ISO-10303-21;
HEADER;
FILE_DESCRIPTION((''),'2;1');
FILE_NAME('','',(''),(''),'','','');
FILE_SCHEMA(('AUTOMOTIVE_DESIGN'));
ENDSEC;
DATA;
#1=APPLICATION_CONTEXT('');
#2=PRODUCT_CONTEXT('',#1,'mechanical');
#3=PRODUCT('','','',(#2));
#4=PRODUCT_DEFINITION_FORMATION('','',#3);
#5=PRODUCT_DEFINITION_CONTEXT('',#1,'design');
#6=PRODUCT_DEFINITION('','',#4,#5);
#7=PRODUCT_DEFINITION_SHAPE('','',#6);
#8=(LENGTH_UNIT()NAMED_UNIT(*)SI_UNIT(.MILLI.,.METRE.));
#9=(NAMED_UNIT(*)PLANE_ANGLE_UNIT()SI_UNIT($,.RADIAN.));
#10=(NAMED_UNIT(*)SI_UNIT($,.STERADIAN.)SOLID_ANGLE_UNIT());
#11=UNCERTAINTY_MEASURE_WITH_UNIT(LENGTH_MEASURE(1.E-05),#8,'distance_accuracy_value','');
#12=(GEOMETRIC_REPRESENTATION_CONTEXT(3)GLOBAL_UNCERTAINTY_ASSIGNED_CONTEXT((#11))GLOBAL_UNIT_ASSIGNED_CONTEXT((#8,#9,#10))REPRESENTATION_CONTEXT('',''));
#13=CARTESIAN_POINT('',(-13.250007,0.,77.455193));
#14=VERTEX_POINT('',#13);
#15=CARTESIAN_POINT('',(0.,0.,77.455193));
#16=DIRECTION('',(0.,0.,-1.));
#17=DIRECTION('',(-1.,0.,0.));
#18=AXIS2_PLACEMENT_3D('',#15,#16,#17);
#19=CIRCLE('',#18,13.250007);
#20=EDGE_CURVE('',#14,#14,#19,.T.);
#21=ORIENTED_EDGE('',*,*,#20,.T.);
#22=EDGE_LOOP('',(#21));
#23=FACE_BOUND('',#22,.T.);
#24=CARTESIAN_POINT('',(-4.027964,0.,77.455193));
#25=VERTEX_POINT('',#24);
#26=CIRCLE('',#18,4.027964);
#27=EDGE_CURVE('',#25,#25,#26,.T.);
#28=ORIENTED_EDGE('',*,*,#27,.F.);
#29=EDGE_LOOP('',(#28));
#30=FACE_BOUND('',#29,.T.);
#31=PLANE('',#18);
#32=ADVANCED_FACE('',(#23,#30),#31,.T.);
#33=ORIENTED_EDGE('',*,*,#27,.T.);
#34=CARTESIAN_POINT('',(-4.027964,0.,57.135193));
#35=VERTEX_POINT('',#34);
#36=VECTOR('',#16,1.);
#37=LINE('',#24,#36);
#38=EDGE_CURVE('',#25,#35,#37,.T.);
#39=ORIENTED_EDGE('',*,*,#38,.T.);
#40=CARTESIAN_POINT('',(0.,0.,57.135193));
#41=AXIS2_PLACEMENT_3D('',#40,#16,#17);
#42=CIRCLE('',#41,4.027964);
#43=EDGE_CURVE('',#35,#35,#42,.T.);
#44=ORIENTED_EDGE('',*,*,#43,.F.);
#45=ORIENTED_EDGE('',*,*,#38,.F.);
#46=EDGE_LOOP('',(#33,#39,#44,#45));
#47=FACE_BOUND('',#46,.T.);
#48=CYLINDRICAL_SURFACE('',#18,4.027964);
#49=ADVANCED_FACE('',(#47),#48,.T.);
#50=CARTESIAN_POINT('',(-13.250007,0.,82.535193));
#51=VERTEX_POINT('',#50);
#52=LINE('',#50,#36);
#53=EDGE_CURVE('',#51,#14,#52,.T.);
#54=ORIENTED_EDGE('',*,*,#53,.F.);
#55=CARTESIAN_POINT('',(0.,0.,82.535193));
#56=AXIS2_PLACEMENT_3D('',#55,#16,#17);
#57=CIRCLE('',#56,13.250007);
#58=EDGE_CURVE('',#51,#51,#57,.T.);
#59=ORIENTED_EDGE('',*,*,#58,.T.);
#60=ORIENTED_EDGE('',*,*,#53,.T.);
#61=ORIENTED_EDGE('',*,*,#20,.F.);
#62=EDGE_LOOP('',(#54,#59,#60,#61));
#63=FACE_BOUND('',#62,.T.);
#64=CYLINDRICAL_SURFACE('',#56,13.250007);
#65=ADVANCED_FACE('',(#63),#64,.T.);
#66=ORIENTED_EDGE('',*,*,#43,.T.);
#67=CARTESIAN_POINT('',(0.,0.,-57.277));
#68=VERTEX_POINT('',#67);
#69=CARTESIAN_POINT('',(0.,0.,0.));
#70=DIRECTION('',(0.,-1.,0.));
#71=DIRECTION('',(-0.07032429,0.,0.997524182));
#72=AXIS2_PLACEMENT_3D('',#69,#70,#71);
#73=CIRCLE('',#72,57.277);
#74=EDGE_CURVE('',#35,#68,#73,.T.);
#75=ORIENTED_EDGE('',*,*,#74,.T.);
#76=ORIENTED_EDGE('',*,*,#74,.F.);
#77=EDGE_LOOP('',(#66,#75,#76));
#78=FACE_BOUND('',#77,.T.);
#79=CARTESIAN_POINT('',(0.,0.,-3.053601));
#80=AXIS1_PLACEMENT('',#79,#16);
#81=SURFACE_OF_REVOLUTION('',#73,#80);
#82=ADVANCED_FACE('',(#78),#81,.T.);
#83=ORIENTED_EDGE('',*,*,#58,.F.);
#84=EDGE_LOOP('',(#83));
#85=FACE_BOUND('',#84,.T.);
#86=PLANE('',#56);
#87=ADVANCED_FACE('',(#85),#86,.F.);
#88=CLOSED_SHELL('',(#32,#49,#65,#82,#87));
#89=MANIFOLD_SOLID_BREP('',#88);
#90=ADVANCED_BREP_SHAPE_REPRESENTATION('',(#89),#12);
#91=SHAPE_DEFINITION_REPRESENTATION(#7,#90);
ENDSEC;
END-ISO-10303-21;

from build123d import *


with BuildPart() as f1:
    # F0 (on Front) → F1 (revolve)
    with BuildSketch(Plane.XZ):
        with BuildLine():
            Line((0, 55.387605), (-4.027964, 57.135193))
            ThreePointArc((-4.027964, 57.135193), (-57.241537, -2.01523), (0, -57.277))
            Line((0, -57.277), (0, 55.387605))
        make_face()
        Polygon((-4.027964, 77.455193), (-4.027964, 57.135193), (0, 55.387605), (0, 82.535193), (-13.250007, 82.535193), (-13.250007, 77.455193), align=None)
    revolve(axis=Axis((0, 0, -3.053601), (0, 0, -1)))


solid = f1.part
